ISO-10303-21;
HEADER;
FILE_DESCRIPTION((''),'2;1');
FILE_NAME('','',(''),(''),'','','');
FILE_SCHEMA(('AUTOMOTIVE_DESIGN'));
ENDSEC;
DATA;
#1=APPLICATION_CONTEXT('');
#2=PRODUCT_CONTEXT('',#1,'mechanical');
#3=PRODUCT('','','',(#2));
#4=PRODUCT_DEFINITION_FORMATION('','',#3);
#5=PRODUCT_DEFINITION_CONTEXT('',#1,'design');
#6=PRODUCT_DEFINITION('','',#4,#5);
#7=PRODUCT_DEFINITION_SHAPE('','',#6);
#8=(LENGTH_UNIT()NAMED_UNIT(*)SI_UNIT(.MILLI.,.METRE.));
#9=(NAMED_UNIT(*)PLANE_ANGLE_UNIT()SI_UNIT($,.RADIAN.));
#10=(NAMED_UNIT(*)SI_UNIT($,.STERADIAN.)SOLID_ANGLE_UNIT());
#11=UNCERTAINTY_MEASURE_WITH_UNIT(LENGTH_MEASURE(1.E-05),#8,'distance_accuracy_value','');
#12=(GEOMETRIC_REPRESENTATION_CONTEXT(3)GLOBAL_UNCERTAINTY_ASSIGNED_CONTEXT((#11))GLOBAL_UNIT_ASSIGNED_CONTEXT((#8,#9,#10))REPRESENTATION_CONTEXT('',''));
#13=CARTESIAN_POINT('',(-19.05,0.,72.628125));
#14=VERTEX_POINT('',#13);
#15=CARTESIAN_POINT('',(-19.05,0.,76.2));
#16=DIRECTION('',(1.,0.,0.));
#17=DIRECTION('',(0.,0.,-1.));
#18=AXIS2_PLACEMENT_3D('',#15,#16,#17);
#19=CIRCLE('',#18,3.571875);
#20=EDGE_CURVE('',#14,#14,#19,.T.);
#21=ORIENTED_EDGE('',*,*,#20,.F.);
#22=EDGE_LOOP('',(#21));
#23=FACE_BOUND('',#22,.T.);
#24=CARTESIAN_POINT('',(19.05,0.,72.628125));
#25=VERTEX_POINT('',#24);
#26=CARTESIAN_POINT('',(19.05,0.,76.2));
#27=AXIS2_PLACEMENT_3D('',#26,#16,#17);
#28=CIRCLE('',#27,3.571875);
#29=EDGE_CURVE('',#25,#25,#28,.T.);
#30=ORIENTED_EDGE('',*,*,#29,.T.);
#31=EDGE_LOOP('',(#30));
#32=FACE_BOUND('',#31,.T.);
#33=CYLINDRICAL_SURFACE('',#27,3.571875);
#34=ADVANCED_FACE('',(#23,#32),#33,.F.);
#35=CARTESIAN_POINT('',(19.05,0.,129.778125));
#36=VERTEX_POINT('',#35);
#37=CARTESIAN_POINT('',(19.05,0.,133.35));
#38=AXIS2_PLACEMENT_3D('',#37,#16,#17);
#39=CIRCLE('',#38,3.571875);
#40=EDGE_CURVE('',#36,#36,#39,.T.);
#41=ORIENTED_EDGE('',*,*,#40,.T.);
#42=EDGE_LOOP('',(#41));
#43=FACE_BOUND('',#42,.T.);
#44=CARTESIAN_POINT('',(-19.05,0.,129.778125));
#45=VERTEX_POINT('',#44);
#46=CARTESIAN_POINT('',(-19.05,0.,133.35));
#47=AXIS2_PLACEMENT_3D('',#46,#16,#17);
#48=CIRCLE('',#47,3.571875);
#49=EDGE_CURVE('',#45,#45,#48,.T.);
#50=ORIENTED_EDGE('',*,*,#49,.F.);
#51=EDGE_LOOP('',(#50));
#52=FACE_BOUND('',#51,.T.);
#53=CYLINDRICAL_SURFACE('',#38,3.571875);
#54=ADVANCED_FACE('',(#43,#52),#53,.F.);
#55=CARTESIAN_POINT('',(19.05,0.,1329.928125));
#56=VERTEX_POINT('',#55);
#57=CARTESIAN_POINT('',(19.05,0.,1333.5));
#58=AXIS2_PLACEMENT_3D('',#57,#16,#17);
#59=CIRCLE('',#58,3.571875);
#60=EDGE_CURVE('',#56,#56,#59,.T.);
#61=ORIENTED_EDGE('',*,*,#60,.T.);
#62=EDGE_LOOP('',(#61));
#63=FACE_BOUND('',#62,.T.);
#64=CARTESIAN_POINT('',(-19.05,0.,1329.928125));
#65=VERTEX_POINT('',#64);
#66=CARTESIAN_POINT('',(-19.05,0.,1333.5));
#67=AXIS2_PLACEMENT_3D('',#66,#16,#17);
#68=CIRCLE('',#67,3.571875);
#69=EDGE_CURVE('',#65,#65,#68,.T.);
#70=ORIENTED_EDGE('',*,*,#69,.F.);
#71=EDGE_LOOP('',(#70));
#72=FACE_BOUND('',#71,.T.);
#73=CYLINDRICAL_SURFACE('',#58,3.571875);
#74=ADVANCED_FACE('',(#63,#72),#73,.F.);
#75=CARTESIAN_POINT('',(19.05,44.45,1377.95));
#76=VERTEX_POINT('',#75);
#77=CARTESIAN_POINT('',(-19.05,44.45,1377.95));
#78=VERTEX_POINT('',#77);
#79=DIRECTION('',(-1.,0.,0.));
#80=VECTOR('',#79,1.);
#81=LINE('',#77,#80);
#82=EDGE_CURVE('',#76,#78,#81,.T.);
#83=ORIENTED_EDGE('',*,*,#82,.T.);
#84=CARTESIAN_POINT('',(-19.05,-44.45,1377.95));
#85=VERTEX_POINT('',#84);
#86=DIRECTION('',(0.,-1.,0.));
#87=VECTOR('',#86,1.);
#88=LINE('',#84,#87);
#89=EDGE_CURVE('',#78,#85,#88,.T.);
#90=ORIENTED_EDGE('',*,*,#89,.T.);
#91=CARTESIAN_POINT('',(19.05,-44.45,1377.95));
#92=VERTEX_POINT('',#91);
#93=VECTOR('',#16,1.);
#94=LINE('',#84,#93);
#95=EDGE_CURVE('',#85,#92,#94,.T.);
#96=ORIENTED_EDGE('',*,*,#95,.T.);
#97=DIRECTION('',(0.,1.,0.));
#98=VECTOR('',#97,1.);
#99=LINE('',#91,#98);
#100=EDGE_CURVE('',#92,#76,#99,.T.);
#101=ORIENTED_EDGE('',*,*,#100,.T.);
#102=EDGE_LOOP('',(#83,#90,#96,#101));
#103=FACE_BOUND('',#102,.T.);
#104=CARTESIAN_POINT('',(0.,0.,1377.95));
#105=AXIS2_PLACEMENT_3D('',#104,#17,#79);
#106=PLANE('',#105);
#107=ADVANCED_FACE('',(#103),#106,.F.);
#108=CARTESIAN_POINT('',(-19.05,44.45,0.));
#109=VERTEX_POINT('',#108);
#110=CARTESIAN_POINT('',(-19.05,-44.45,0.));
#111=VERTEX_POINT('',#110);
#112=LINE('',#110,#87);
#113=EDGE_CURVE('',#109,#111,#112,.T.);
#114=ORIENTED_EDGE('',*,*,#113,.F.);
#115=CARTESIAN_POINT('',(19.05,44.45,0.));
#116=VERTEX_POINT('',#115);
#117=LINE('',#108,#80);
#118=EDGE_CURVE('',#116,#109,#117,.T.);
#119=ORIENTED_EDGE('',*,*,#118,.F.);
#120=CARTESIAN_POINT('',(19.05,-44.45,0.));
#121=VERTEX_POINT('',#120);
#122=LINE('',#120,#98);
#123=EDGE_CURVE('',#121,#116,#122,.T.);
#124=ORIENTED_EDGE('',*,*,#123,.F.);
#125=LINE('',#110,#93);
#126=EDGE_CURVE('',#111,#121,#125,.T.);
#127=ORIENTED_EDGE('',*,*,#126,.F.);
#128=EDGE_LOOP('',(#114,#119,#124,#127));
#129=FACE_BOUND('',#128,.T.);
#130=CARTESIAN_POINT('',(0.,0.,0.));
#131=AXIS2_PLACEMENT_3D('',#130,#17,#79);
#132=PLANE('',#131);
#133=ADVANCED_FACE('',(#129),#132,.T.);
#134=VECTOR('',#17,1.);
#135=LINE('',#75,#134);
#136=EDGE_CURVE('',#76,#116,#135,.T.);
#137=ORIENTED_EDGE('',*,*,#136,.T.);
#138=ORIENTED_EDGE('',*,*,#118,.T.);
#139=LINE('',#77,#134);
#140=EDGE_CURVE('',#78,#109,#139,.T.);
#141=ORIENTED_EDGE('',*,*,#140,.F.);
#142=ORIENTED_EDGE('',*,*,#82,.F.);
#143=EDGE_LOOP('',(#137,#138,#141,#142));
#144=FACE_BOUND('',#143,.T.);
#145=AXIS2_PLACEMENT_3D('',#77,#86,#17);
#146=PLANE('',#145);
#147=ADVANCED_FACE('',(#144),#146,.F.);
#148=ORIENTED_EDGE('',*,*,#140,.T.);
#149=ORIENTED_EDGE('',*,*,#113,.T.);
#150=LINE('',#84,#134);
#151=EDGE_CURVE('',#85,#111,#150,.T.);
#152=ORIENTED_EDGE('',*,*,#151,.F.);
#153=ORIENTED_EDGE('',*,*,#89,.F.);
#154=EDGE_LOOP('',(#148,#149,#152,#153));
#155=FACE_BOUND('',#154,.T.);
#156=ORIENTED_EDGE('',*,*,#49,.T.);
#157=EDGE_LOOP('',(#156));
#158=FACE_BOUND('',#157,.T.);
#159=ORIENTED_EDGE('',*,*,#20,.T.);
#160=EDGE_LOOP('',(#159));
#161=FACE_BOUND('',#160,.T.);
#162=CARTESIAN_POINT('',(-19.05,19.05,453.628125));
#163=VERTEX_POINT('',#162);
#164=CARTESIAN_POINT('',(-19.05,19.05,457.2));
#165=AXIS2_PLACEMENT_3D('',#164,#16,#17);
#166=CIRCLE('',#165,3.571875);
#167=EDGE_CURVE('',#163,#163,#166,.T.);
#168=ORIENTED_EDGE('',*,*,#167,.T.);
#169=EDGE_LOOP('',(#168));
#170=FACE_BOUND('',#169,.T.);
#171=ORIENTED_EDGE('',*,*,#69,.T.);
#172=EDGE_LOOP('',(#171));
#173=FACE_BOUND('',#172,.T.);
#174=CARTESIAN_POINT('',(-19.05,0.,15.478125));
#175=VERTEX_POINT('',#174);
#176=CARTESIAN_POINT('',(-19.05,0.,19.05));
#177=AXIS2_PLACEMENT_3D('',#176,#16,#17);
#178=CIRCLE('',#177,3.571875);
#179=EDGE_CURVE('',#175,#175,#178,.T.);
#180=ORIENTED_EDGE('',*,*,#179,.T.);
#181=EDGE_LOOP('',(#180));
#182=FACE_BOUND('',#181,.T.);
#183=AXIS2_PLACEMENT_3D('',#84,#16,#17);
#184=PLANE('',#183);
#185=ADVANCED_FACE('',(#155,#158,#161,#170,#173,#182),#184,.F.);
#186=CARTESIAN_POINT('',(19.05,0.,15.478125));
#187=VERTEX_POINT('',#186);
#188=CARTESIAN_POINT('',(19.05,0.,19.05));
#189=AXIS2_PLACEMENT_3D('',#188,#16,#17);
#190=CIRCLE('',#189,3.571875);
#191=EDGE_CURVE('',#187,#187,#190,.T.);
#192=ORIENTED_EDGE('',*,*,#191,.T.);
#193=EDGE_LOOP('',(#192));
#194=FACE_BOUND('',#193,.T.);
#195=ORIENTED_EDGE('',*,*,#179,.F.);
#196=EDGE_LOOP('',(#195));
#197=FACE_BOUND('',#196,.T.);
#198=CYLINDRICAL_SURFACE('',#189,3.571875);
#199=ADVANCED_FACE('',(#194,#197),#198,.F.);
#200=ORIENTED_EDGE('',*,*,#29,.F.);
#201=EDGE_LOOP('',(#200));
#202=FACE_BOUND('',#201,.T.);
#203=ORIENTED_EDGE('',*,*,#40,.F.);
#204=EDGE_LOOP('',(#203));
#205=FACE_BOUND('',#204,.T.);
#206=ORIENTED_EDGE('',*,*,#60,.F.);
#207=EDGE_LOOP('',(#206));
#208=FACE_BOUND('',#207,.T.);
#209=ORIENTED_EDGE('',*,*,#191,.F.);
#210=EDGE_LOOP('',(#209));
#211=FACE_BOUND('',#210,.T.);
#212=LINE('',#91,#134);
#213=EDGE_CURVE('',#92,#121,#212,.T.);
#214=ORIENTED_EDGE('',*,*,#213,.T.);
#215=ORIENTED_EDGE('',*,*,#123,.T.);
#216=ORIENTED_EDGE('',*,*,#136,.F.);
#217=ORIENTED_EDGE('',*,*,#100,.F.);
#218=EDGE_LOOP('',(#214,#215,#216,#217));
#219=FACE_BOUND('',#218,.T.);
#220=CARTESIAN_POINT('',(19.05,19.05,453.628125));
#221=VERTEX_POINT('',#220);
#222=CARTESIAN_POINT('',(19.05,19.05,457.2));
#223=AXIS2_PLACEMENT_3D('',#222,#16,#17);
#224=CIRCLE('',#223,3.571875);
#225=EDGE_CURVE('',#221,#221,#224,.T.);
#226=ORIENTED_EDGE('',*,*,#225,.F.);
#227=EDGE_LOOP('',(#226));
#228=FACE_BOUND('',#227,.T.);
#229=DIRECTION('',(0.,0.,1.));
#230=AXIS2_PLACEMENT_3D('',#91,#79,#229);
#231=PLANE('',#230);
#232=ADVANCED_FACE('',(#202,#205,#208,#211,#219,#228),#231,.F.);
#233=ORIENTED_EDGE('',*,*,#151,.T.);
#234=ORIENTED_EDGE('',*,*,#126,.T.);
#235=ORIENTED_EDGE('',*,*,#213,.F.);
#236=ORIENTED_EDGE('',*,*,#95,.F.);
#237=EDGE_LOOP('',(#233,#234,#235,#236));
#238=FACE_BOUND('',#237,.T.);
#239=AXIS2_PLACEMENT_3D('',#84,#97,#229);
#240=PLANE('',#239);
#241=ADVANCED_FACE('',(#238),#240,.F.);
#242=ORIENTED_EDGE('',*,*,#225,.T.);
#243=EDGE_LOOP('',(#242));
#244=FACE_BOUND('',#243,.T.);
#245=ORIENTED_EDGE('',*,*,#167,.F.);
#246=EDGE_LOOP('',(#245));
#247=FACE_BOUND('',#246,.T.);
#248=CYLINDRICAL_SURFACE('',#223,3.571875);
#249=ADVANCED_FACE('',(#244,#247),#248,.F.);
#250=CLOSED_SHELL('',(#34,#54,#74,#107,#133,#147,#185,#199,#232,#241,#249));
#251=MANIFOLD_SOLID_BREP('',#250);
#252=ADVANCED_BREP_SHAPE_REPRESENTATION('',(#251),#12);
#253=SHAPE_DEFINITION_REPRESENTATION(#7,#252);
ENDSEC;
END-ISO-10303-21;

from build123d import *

# Parameters (mm, degrees)
SKETCH1_W                       = 38.1
SKETCH1_H                       = 88.9
BOSS_EXTRUDE1_DEPTH             = 1377.95
F_9_32_0_28125_DIAMETER_HOLE1_D = 7.14375


with BuildPart() as part:
    # Sketch1 → Boss-Extrude1 (new body)
    with BuildSketch(Plane.XY):
        Rectangle(SKETCH1_W, SKETCH1_H)
    extrude(amount=BOSS_EXTRUDE1_DEPTH)

    # 9/32 (0.28125) Diameter Hole1 (through all)
    with Locations(Plane(origin=(19.05, 0, 0), x_dir=(0, 0, -1), z_dir=(1, 0, 0))):
        with Locations((-19.05, 0), (-76.2, 0), (-133.35, 0), (-1333.5, 0), (-457.2, 19.05)):
            Hole(F_9_32_0_28125_DIAMETER_HOLE1_D / 2)


solid = part.part
